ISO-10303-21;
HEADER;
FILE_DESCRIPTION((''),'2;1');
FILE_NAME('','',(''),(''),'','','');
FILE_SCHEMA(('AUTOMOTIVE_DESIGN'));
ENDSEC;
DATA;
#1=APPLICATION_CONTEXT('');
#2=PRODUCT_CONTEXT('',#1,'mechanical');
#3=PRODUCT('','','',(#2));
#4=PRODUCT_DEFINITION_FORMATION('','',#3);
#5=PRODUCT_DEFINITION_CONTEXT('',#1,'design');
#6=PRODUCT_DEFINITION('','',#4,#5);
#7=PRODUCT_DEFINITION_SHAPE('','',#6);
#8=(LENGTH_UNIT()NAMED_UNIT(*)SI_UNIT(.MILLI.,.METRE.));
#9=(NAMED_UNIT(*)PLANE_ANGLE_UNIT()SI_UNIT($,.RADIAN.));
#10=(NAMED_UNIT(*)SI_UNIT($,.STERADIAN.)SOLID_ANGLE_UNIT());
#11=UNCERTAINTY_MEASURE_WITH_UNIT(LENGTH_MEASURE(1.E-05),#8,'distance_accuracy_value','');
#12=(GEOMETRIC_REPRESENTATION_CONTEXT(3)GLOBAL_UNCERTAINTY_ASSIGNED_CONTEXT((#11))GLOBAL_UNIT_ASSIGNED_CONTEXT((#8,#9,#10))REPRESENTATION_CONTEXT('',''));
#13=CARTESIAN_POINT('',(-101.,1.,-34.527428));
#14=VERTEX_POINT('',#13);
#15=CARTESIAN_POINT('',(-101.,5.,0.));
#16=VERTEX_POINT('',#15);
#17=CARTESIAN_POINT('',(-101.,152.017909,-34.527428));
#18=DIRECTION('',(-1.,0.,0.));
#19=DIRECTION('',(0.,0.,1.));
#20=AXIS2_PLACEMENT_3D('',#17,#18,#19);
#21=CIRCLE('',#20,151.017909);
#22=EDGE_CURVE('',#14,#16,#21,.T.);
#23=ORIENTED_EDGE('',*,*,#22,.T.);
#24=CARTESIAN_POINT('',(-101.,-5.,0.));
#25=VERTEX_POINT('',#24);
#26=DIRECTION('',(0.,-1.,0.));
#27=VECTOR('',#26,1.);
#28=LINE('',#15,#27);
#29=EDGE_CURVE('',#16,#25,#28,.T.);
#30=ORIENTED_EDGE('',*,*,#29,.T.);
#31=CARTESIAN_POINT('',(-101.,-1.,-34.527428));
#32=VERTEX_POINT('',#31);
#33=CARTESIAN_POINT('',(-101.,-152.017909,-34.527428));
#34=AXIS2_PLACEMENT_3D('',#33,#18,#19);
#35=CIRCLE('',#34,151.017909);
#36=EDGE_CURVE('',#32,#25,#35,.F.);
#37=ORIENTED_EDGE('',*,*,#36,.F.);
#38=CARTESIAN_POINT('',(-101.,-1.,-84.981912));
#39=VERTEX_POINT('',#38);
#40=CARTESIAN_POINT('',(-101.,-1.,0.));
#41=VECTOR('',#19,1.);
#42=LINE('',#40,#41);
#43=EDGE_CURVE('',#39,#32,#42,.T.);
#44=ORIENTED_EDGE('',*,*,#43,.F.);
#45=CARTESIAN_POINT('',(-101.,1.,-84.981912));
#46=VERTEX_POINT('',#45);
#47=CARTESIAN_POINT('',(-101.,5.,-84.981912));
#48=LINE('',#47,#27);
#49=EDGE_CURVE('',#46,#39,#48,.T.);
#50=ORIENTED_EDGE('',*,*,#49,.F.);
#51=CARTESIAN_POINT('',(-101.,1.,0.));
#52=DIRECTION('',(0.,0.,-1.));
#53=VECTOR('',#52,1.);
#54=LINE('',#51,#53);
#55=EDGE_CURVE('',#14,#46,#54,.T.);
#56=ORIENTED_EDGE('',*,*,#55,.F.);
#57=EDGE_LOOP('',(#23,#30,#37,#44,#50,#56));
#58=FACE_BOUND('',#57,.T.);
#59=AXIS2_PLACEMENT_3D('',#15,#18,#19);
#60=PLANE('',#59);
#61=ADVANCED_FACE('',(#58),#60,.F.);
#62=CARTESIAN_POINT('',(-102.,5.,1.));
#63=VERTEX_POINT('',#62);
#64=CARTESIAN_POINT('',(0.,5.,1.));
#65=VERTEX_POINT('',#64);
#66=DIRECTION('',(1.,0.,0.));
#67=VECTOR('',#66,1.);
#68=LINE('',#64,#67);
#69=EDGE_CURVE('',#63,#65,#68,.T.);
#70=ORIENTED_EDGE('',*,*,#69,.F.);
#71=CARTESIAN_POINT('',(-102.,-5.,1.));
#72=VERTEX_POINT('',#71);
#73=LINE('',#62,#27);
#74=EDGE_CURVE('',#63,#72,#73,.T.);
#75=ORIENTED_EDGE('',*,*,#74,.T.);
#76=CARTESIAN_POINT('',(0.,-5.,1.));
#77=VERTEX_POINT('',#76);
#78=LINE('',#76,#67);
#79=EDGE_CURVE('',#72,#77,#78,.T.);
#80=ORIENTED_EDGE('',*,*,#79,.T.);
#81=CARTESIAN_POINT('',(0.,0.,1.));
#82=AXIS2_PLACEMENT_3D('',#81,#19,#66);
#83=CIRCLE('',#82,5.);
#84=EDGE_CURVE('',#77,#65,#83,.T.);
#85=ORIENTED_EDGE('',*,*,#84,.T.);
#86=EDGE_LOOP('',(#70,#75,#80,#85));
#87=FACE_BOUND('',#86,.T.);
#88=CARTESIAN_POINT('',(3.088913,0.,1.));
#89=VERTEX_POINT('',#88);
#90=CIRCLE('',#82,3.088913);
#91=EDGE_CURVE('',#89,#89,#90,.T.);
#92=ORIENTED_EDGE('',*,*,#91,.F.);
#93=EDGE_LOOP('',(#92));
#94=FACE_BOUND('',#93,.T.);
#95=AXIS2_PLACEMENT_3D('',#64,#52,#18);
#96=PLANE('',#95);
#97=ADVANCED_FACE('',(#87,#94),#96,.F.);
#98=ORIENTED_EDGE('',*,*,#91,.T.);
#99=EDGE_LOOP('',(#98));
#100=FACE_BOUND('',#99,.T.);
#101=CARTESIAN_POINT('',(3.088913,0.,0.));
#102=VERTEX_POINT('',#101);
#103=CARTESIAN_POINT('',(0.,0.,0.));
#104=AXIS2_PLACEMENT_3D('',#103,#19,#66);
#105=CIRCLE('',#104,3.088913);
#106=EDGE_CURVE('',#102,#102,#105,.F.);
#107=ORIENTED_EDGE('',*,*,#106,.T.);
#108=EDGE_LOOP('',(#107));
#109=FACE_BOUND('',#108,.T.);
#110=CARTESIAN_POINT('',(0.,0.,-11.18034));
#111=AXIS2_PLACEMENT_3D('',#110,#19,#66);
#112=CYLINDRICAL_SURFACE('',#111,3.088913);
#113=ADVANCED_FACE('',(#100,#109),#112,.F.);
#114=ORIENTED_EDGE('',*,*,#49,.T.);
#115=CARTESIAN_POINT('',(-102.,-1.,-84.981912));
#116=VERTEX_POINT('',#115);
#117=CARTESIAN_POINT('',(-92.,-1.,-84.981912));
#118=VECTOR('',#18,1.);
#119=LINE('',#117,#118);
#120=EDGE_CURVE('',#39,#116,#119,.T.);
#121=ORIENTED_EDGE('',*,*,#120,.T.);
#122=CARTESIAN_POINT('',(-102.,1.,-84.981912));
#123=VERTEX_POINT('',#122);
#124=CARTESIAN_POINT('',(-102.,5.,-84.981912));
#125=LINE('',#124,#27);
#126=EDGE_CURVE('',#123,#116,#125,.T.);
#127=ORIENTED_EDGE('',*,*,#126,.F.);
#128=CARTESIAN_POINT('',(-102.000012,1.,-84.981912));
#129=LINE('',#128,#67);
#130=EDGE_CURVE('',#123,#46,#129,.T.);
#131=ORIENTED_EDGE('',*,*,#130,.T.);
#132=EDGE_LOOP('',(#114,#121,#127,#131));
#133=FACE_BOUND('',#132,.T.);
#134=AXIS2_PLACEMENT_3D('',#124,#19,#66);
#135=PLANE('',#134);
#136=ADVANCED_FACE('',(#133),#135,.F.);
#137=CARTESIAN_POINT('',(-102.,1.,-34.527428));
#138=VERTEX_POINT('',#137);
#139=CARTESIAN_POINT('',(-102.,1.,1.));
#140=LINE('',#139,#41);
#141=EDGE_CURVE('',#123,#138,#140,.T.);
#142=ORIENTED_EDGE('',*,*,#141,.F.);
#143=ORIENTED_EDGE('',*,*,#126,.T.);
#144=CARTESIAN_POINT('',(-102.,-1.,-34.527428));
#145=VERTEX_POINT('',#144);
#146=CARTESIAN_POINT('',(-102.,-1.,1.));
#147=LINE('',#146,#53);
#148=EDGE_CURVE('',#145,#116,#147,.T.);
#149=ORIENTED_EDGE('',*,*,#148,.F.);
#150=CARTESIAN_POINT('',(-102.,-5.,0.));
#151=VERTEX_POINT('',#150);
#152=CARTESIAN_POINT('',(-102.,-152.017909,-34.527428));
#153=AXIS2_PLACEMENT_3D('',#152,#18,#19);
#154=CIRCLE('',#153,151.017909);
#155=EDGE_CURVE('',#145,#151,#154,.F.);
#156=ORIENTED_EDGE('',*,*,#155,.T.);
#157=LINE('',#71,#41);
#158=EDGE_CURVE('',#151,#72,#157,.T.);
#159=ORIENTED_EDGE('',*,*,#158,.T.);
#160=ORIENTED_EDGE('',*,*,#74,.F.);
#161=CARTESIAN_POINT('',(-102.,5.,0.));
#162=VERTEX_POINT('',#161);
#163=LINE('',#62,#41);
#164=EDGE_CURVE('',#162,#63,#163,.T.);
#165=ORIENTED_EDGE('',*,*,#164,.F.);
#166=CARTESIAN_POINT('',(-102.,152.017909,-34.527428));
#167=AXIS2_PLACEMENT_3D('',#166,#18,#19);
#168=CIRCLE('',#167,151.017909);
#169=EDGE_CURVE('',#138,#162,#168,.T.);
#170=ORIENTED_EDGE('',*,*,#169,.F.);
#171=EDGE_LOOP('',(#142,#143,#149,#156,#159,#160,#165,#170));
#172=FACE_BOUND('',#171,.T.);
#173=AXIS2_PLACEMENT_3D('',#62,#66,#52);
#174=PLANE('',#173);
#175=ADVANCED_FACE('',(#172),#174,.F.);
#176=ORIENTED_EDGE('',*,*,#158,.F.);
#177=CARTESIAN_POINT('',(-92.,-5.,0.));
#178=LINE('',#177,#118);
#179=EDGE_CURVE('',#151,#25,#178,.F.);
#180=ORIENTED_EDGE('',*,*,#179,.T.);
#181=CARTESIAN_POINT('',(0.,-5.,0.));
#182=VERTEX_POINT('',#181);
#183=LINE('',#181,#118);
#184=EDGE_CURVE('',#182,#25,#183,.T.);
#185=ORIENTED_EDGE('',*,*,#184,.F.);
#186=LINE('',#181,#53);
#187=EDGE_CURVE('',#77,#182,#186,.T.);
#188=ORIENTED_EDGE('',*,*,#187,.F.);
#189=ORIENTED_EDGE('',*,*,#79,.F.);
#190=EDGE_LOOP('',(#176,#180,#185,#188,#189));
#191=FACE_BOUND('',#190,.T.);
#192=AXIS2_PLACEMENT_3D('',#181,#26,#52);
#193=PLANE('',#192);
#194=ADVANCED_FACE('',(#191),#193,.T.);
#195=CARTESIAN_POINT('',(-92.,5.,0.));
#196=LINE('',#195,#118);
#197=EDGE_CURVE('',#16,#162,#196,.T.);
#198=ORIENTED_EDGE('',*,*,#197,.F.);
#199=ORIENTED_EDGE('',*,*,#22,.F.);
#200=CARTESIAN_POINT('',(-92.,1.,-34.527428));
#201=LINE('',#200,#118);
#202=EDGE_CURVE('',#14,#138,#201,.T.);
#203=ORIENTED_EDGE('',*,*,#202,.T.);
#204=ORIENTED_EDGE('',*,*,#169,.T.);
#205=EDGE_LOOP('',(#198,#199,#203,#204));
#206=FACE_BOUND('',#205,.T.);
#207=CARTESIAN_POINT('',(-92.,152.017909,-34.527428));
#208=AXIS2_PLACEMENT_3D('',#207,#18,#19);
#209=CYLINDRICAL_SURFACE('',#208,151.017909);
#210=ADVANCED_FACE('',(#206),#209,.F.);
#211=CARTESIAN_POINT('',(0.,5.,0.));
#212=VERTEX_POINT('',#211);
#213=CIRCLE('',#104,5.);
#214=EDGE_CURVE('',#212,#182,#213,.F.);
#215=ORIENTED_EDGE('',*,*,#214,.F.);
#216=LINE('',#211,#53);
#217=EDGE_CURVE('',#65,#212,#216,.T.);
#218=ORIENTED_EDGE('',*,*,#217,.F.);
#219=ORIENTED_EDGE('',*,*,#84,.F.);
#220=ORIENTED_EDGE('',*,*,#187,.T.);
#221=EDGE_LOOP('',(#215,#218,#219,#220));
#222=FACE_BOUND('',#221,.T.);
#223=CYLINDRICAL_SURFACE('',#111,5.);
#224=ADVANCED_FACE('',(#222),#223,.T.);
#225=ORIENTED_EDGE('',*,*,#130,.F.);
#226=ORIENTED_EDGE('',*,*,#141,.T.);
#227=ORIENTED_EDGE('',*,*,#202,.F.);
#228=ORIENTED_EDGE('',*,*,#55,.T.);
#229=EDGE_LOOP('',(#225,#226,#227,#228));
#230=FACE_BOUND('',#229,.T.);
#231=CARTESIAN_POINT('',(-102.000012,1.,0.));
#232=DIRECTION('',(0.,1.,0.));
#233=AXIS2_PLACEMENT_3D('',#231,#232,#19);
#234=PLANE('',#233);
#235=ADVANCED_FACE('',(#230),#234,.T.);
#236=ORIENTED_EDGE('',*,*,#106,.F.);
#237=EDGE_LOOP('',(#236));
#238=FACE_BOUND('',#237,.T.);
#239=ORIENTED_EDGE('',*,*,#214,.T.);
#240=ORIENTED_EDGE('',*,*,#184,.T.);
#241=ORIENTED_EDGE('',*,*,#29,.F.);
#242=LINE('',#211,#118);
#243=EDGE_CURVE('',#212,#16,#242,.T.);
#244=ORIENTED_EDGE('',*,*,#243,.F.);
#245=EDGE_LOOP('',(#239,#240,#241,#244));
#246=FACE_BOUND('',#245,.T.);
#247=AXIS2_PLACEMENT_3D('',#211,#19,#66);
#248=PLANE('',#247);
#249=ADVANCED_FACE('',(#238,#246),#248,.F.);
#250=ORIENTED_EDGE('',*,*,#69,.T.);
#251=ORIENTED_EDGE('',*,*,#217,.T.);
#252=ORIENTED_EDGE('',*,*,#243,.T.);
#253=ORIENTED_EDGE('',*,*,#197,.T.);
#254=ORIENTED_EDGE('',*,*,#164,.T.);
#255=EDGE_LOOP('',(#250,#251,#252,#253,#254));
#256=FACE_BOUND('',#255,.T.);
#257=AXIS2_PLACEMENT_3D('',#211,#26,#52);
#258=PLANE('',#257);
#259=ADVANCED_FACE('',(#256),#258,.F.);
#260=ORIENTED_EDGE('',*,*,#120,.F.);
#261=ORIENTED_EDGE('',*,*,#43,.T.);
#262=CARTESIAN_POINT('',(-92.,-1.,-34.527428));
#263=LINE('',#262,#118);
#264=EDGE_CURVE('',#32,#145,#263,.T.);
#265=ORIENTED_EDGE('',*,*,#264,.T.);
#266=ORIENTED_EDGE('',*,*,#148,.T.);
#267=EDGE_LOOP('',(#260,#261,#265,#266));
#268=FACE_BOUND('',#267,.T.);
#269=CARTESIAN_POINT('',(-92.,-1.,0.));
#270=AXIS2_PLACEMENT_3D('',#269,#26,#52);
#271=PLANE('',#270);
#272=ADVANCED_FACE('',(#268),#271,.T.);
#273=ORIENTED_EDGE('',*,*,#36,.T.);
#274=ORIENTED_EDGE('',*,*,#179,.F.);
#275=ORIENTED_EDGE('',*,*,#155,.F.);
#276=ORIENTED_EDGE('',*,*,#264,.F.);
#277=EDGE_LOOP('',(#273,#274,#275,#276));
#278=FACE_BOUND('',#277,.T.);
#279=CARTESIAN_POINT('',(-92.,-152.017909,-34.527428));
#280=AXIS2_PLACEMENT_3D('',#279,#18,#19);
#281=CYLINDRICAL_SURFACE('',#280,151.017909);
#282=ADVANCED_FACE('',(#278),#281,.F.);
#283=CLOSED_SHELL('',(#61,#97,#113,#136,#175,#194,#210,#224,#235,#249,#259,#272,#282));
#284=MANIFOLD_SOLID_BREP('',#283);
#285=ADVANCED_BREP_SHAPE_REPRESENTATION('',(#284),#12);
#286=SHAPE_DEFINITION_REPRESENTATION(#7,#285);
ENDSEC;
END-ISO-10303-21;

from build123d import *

# Parameters (mm, degrees)
BOSS_EXTRUDE1_DEPTH     = 5
SKETCH2_R               = 5
SKETCH2_R_2             = 3.088913235
BOSS_EXTRUDE2_DEPTH     = 1
SKETCH3_R               = 3.088913235
CUT_EXTRUDE1_DEPTH      = 1
CUT_EXTRUDE2_DEPTH      = 1
CUT_EXTRUDE2_DEPTH_BACK = 10


with BuildPart() as part:
    # Sketch1 → Boss-Extrude1 (new body, symmetric)
    with BuildSketch(Plane(origin=(0, 0, 0), x_dir=(1, 0, 0), z_dir=(0, 1, 0))):
        Polygon((0, 0), (-101, 0), (-101, 84.981911775), (-102, 84.981911775), (-102, -1), (0, -1), align=None)
    extrude(amount=BOSS_EXTRUDE1_DEPTH, both=True)

    # Sketch2 → Boss-Extrude2 (add)
    with BuildSketch(Plane.XY.offset(1)):
        Circle(SKETCH2_R)
        Circle(SKETCH2_R_2, mode=Mode.SUBTRACT)
    extrude(amount=-BOSS_EXTRUDE2_DEPTH)

    # Sketch3 → Cut-Extrude1 (cut)
    with BuildSketch(Plane.XY.offset(1)):
        Circle(SKETCH3_R)
    extrude(amount=-CUT_EXTRUDE1_DEPTH, mode=Mode.SUBTRACT)

    # Sketch4 → Cut-Extrude2 (cut, two sides)
    with BuildSketch(Plane.ZY.offset(102)) as cut_extrude2_sk:
        with BuildLine():
            Line((-84.981911775, 5), (-84.981911775, 1))
            Line((-84.981911775, 1), (-34.527427825, 1))
            ThreePointArc((-34.527427825, 1), (-17.14825011, 2.003332972), (0, 5))
            Line((0, 5), (-84.981911775, 5))
        make_face()
        with BuildLine():
            Line((-34.527427825, -1), (-84.981911775, -1))
            Line((-84.981911775, -1), (-84.981911775, -5))
            Line((-84.981911775, -5), (0, -5))
            ThreePointArc((0, -5), (-17.14825011, -2.003332972), (-34.527427825, -1))
        make_face()
    extrude(amount=CUT_EXTRUDE2_DEPTH, mode=Mode.SUBTRACT)
    extrude(cut_extrude2_sk.sketch, amount=-CUT_EXTRUDE2_DEPTH_BACK, mode=Mode.SUBTRACT)


solid = part.part
